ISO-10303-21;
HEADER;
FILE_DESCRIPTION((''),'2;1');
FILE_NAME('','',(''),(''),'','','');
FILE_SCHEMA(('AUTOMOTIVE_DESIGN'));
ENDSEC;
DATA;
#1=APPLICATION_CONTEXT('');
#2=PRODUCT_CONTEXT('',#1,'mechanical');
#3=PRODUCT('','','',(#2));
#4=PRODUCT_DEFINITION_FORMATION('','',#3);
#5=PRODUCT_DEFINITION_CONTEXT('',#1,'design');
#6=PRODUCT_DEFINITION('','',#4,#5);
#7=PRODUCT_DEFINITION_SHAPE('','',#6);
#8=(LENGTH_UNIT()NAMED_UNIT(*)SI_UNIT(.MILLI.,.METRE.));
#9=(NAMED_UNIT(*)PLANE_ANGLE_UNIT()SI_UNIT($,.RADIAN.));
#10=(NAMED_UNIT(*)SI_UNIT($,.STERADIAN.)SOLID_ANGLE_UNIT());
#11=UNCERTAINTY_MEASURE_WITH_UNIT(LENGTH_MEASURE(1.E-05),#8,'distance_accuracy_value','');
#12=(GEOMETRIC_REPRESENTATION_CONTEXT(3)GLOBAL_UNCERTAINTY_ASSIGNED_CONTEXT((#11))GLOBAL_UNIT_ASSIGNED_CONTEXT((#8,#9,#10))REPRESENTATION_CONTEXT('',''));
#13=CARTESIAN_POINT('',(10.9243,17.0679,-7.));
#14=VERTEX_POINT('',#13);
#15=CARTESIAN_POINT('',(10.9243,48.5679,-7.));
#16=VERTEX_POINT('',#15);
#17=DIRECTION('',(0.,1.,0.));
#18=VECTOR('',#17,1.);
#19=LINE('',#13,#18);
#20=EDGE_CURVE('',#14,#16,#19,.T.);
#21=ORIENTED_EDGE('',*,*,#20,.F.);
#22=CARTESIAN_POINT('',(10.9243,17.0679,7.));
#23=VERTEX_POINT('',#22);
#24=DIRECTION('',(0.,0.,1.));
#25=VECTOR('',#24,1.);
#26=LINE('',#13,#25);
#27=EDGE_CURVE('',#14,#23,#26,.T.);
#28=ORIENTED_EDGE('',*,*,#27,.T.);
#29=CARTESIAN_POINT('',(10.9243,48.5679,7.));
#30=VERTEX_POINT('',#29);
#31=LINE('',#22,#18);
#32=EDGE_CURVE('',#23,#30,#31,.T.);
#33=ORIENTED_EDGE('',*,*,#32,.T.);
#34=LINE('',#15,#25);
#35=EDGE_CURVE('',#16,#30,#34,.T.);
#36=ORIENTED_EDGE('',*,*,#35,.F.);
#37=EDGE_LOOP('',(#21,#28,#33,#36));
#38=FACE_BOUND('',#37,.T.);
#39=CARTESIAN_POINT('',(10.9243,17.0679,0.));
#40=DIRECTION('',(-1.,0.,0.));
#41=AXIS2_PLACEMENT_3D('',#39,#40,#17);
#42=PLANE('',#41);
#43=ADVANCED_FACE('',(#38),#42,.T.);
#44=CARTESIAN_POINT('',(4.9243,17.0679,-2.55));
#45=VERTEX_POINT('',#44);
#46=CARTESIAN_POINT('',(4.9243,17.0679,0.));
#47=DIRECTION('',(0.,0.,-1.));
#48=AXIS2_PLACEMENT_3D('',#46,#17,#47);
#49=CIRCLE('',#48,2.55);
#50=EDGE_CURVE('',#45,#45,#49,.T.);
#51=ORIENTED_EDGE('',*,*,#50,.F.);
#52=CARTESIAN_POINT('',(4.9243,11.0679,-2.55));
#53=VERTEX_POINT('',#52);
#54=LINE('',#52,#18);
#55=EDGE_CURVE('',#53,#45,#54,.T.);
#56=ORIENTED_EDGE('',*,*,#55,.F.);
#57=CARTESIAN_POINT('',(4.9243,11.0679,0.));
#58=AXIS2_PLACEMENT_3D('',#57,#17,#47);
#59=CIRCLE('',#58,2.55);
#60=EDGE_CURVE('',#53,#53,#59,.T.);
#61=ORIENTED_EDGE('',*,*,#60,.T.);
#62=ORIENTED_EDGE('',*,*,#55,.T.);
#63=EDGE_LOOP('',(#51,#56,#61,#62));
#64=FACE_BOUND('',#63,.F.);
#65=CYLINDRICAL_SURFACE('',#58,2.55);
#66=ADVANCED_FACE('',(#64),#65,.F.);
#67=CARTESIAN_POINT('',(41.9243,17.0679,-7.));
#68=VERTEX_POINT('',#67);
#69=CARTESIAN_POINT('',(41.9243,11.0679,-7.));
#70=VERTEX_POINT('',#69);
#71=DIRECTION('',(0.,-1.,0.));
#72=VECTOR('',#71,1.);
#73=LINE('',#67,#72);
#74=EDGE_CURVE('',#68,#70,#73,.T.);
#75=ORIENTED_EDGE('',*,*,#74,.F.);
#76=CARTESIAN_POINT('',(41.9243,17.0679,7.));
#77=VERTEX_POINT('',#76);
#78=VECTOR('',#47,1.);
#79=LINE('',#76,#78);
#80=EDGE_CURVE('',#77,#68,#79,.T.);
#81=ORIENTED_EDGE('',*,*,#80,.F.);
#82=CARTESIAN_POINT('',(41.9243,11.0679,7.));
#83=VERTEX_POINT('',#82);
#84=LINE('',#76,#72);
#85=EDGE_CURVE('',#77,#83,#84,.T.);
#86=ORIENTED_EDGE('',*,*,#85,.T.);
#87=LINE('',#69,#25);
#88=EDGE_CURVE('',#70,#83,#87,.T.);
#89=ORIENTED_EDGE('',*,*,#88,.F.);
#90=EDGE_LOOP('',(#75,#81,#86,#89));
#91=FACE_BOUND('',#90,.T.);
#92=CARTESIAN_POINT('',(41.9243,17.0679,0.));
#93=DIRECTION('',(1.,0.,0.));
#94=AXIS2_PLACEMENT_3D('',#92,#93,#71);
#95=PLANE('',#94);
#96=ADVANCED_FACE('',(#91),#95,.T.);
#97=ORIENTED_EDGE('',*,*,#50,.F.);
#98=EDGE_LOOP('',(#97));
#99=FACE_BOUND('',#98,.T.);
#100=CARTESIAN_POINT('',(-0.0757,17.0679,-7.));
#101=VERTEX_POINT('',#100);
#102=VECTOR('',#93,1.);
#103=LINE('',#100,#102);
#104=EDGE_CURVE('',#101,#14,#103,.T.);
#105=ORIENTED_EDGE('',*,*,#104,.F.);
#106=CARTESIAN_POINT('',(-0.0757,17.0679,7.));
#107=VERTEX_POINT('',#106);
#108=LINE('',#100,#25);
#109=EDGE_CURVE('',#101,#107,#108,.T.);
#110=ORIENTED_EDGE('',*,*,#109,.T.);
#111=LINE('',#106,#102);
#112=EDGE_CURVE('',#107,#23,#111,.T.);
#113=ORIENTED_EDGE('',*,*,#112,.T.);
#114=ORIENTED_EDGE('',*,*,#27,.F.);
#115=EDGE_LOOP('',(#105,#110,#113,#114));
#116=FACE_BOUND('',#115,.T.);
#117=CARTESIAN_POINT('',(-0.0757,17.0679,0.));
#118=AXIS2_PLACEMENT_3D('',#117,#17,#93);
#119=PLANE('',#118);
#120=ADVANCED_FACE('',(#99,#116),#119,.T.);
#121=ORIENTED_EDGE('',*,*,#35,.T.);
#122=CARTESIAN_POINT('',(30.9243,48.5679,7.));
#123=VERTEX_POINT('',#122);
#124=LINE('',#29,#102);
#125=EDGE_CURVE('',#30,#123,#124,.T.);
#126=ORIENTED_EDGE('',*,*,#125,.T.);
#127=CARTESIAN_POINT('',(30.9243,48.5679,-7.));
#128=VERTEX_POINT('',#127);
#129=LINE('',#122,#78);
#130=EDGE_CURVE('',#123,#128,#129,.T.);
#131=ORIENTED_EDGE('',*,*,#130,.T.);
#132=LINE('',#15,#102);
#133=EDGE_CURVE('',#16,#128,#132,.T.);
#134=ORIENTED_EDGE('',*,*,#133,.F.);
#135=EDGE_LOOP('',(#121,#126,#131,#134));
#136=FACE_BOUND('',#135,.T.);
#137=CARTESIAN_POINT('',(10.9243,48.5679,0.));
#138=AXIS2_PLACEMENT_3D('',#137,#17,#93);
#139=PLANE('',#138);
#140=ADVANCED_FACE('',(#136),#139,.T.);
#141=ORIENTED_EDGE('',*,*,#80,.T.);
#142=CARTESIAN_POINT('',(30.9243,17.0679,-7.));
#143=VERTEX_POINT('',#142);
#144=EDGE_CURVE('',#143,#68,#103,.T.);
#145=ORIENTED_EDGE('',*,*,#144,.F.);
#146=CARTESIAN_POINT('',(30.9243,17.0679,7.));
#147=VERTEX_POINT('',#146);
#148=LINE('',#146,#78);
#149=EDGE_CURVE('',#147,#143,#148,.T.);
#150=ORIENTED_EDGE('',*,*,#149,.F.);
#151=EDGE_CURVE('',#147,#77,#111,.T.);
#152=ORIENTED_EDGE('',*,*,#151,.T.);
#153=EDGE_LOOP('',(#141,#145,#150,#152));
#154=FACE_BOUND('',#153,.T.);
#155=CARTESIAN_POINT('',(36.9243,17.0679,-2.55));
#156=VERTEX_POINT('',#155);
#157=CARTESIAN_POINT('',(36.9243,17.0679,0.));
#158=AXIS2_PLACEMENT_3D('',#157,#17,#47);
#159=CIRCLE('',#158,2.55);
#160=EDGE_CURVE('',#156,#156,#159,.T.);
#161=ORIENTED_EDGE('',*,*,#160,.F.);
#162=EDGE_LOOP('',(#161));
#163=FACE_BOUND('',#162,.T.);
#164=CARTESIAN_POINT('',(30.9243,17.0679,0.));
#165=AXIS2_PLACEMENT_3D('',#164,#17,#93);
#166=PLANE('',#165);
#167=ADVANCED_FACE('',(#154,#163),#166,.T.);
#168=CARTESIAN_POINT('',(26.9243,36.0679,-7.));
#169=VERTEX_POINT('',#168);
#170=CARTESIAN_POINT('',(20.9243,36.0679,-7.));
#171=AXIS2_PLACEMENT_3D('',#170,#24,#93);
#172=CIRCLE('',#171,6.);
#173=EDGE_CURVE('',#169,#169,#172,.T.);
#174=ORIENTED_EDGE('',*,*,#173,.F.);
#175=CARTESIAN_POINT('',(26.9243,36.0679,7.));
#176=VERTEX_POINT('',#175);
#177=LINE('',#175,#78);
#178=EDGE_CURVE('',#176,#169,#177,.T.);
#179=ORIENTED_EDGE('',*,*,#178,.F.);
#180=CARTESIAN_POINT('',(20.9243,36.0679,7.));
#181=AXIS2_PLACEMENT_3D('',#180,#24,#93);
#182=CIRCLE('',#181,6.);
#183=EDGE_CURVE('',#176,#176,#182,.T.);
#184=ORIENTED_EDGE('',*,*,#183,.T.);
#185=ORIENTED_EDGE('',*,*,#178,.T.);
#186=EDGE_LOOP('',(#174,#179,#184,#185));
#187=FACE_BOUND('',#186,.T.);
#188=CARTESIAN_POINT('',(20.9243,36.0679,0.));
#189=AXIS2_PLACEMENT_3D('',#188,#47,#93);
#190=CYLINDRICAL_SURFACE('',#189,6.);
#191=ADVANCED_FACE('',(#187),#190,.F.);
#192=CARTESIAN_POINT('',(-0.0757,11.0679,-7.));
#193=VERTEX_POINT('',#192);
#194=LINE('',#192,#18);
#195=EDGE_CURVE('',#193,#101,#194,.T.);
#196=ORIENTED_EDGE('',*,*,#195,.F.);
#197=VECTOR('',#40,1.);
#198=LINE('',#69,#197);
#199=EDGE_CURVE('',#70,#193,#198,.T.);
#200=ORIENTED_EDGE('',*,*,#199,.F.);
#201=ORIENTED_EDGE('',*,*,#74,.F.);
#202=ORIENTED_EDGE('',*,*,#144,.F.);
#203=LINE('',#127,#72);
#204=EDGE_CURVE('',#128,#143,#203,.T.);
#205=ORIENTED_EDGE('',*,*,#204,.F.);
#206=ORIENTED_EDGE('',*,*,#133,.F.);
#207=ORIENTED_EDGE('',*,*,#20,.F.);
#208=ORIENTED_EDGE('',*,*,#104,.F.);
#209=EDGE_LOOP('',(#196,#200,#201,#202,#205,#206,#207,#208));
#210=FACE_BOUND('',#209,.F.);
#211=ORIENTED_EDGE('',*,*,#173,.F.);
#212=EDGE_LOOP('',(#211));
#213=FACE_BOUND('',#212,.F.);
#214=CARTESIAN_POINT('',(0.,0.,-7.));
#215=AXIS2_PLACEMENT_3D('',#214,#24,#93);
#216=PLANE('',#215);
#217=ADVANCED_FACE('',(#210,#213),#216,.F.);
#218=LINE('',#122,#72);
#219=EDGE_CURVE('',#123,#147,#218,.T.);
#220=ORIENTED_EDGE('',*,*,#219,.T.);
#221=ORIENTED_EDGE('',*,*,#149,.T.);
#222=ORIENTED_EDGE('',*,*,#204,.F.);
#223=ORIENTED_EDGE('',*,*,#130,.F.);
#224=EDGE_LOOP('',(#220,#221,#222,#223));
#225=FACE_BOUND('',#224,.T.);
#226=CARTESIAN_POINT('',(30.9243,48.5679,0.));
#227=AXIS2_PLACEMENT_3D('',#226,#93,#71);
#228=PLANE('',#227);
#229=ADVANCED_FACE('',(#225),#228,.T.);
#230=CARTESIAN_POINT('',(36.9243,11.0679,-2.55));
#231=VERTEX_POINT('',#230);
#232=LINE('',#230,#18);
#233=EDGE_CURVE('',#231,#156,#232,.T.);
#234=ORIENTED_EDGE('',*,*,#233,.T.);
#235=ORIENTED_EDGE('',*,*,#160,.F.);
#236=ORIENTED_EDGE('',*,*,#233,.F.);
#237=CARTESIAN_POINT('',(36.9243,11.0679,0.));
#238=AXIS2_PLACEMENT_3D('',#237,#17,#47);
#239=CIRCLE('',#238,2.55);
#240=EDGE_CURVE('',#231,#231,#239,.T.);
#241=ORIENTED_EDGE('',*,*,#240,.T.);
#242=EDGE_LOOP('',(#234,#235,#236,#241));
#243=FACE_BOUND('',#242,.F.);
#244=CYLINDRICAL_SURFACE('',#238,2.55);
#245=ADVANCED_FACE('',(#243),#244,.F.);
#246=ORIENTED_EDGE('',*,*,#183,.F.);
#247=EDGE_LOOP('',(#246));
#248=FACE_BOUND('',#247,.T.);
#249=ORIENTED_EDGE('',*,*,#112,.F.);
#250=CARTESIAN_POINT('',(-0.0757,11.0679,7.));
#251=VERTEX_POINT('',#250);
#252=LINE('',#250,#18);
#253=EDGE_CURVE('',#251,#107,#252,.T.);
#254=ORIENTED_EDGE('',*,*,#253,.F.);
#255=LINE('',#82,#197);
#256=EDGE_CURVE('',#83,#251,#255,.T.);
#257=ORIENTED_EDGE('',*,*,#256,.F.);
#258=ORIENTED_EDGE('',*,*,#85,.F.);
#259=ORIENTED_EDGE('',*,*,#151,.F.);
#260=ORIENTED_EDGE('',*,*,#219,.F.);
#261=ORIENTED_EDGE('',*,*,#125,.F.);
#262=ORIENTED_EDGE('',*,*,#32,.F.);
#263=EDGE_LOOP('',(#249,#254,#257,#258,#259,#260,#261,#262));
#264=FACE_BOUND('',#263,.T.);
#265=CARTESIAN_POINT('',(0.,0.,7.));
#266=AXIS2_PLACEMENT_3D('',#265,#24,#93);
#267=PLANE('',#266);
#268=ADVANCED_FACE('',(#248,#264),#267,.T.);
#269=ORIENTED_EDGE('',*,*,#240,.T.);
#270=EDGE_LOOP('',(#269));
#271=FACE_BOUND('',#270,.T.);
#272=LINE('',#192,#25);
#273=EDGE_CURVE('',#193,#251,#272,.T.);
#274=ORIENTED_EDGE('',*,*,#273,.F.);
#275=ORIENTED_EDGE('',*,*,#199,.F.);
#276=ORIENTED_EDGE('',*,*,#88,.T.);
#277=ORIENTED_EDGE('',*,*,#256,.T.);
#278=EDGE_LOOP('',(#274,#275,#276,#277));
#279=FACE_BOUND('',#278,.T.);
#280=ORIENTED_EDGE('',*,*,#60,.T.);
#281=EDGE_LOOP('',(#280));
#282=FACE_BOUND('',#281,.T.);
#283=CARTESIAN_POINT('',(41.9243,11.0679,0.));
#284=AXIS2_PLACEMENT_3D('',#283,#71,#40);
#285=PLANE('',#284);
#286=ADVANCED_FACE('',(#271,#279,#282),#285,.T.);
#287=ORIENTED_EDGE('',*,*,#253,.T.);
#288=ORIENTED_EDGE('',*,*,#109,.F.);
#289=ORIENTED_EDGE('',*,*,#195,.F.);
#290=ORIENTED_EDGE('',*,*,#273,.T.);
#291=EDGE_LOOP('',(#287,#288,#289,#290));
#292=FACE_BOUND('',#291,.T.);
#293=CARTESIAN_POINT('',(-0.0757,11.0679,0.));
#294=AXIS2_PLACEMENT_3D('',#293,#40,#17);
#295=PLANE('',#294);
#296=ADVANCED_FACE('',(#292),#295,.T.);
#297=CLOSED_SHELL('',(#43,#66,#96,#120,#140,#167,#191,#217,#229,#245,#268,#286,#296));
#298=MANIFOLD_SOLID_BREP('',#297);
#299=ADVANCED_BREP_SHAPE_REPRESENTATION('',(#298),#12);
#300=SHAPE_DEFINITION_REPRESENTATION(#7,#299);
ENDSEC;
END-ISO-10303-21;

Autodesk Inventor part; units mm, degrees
ref_plane "YZ Plane" through (0, 0, 0) normal (1, 0, 0) x (0, 1, 0)
ref_plane "XZ Plane" through (0, 0, 0) normal (0, 1, 0) x (-1, 0, 0)
ref_plane "XY Plane" through (0, 0, 0) normal (0, 0, 1) x (1, 0, 0)
sketch "Sketch1" plane through (0, 0, 0) normal (0, 0, 1) x (1, 0, 0)
  line L0 (10.9243, 48.5679) -> (30.9243, 48.5679)
  line L1 (30.9243, 48.5679) -> (30.9243, 17.0679)
  line L2 (30.9243, 17.0679) -> (10.9243, 17.0679)
  line L3 (10.9243, 17.0679) -> (10.9243, 48.5679)
  line L4 (10.9243, 48.5679) -> (30.9243, 17.0679) construction
  line L5 (30.9243, 48.5679) -> (10.9243, 17.0679) construction
  line L6 (-0.0757, 17.0679) -> (41.9243, 17.0679)
  line L7 (41.9243, 17.0679) -> (41.9243, 11.0679)
  line L8 (41.9243, 11.0679) -> (-0.0757, 11.0679)
  line L9 (-0.0757, 11.0679) -> (-0.0757, 17.0679)
  circle A0 centre (20.9243, 36.0679) radius 6
  point P0 (0, 0)
  point P1 (20.9243, 32.8179)
  point P2 (41.9243, 14.0679)
  point P3 (-0.0757, 14.0679)
  dimension "d0" = 20
  dimension "d1" = 31.5
  dimension "d2" = 6
  dimension "d3" = 42
  dimension "d4" = 11
  dimension "d5" = 12
  dimension "d6" = 25
extrude "Extrusion1" add sketch "Sketch1" along normal mid plane 14
sketch "Sketch2" plane through (-0.0757, 11.0679, 7) normal (0, -1, 0) x (1, 0, 0)
  line L0 (42, -14) -> (42, 0) construction
  line L1 (42, -7) -> (0.0757, -7) construction
  line L2 (0, -14) -> (0, 0) projected
  point P0 (37, -7)
  point P1 (5, -7)
  point P2 (0, -7)
  dimension "d9" = 5
  dimension "d10" = 5
hole "Hole1" at (36.9243, 11.0679, 0) at (4.9243, 11.0679, 0) direction (0, 1, 0) diameter 5.1 end through all
properties part number "linear rod support mount"
